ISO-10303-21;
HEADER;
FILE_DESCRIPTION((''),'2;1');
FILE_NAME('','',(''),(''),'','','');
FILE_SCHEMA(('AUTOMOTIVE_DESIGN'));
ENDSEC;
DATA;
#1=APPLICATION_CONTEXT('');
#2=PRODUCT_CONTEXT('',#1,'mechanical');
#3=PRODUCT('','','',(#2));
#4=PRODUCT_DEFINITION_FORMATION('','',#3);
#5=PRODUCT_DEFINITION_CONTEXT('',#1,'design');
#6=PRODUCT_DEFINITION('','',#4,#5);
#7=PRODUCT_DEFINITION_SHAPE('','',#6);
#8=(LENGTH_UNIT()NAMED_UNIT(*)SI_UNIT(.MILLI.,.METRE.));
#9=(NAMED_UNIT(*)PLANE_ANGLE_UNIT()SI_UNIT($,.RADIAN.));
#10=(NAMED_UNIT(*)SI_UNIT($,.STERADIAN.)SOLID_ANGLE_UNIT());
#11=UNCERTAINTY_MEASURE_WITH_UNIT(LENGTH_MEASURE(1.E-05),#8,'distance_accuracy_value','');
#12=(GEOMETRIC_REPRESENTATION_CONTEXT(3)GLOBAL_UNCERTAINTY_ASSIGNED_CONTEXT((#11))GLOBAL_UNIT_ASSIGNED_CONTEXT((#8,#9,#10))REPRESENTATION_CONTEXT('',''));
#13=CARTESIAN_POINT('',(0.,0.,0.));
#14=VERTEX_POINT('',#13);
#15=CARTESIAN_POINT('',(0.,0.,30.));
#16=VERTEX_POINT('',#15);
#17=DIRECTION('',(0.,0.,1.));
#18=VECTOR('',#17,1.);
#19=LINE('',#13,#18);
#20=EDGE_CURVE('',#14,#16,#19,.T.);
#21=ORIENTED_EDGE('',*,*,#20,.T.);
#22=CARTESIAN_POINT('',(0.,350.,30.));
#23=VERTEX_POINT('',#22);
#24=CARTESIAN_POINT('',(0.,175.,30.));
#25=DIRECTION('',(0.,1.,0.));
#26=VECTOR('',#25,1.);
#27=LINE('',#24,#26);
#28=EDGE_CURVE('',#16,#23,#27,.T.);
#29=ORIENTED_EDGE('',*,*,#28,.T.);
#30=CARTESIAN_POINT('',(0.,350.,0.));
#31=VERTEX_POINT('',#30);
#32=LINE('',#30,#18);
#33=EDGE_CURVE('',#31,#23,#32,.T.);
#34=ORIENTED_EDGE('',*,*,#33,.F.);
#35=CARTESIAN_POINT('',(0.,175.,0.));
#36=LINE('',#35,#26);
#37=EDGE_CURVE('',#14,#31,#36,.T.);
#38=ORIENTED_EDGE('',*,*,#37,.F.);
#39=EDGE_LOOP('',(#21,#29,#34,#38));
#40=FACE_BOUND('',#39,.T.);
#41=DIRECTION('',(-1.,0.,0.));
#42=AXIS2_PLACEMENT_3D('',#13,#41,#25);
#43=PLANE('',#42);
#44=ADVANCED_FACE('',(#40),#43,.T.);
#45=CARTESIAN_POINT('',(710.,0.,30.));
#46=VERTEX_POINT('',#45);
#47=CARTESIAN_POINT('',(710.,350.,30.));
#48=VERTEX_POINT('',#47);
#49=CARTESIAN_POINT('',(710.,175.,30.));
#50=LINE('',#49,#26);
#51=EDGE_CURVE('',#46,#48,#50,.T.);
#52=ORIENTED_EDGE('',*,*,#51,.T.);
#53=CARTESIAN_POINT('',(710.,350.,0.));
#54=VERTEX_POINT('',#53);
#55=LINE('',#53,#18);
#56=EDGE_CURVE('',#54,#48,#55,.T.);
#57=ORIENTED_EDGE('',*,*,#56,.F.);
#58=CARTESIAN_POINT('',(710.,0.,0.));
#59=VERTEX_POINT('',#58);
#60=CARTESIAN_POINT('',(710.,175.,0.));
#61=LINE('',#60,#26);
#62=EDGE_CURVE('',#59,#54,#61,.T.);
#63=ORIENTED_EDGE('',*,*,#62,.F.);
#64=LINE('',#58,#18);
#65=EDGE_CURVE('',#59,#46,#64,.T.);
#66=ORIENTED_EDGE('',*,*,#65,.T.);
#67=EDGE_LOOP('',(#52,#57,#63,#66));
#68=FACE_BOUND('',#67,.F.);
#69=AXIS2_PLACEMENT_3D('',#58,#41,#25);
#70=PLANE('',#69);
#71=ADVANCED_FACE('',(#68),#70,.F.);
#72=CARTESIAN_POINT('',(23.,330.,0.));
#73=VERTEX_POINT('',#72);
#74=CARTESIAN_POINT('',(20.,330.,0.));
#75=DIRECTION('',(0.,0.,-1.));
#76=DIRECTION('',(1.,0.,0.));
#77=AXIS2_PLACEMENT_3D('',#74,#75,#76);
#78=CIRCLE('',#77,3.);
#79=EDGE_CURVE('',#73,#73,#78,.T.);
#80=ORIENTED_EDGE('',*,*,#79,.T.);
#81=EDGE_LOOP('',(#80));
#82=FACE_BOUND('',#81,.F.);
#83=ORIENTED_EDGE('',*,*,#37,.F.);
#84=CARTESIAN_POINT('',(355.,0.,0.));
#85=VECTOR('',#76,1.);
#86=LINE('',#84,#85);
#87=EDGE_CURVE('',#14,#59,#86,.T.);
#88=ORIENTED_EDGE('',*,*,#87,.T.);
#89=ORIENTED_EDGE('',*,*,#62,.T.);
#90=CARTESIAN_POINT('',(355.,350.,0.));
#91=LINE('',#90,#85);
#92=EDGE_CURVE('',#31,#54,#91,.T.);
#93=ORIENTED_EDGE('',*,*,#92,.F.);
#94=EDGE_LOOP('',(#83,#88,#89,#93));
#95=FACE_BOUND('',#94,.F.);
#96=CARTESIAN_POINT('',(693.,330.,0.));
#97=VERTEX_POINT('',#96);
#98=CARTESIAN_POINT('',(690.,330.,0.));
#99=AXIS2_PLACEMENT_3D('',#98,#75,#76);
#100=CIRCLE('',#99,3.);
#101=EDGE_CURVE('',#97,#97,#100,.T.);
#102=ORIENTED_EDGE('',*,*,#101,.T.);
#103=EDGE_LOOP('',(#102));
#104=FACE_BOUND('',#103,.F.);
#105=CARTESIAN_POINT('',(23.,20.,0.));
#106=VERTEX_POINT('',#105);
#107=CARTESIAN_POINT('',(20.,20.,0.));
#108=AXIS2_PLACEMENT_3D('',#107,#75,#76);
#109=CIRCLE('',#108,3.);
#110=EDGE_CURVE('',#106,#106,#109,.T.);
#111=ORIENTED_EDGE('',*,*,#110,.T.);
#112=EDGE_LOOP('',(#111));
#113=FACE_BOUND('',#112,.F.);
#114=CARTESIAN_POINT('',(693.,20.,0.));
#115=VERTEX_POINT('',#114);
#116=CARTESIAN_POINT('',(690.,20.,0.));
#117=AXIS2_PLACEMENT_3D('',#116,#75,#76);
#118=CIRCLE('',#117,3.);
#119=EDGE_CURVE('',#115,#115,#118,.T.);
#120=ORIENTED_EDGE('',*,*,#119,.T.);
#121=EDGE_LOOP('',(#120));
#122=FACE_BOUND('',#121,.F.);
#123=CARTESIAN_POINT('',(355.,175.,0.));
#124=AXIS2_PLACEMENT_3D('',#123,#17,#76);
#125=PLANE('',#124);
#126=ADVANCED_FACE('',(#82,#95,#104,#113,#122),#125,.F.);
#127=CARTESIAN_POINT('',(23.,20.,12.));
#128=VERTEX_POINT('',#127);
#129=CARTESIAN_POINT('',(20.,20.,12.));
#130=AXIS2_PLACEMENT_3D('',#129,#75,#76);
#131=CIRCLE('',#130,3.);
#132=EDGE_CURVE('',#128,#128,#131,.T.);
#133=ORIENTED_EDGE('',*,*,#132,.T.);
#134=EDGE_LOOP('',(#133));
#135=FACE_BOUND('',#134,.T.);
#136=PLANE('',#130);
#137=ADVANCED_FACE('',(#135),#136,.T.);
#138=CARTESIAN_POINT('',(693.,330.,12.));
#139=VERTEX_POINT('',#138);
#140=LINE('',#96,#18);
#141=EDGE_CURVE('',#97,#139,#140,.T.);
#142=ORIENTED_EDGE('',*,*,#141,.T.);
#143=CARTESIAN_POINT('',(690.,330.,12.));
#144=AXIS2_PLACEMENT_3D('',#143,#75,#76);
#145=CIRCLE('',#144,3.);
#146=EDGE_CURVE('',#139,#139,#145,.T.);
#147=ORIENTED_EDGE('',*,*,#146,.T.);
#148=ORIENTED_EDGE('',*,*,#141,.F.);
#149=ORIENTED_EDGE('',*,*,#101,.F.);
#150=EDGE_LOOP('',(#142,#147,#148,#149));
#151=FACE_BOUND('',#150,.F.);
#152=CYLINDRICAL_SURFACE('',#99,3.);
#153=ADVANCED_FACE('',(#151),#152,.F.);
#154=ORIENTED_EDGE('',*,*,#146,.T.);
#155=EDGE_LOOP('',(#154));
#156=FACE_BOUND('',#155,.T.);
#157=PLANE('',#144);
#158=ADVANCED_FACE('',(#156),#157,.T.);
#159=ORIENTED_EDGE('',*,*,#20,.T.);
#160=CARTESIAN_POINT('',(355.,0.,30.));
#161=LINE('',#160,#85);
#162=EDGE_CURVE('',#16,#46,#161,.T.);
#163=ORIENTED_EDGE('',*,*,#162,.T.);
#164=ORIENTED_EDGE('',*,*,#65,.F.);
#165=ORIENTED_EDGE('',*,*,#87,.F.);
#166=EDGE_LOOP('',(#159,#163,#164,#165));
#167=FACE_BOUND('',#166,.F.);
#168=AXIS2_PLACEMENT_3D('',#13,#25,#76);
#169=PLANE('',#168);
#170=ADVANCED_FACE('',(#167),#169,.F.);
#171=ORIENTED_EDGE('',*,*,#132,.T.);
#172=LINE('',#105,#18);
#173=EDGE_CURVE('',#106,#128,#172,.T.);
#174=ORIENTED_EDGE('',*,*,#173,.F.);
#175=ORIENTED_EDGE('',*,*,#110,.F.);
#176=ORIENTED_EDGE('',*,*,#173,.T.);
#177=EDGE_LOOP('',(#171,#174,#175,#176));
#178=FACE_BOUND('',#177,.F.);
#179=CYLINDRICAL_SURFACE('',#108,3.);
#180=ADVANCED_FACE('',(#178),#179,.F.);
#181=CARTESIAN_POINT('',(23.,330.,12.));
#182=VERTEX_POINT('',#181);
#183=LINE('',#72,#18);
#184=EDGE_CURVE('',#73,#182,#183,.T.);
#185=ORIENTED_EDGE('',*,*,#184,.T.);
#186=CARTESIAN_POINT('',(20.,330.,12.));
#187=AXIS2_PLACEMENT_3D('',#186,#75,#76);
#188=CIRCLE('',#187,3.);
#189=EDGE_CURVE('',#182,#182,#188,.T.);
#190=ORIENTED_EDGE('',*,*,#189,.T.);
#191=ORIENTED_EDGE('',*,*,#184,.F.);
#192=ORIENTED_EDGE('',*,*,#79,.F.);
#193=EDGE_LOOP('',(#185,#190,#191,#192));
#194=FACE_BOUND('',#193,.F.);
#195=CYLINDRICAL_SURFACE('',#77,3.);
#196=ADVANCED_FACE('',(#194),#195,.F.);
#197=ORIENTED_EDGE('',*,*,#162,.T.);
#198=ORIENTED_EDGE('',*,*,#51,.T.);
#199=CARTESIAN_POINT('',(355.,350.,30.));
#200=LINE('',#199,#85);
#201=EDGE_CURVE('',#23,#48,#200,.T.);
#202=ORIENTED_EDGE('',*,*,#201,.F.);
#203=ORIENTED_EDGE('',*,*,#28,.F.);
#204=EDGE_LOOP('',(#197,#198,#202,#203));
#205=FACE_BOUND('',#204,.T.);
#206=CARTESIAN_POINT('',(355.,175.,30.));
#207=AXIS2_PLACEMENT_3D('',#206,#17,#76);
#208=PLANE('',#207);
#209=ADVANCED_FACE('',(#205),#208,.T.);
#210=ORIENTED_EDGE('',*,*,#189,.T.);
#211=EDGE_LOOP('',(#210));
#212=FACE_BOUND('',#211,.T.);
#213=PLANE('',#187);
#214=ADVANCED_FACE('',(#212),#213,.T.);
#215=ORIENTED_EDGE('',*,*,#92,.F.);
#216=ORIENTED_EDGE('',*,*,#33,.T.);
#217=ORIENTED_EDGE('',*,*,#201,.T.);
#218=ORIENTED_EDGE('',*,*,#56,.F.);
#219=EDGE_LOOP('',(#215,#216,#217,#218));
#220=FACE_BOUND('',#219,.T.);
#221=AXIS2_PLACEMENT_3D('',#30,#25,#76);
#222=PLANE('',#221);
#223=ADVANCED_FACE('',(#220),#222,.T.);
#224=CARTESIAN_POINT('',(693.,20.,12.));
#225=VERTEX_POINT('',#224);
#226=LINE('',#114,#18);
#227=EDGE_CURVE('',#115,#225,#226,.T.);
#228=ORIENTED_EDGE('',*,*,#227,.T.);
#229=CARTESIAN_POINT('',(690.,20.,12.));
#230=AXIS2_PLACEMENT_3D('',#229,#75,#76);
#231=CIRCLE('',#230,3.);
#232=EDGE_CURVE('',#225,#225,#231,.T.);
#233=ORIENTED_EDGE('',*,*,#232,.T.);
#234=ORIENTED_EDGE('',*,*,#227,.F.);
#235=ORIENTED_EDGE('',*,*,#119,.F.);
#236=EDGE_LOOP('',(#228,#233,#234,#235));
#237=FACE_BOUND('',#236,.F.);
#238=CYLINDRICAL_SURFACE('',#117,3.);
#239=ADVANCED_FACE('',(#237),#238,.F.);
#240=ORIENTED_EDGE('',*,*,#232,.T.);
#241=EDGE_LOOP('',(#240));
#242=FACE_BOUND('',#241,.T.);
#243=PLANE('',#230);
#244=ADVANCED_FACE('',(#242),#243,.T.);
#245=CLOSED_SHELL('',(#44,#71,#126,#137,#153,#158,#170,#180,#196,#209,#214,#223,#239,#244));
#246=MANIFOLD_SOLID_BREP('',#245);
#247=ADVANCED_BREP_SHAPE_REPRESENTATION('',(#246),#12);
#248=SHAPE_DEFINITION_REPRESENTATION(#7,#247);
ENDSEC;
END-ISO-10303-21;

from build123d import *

# Parameters (mm, degrees)
F0_W     = 710
F0_H     = 350
F1_DEPTH = 30
F2_R     = 3
F3_DEPTH = 12
F4_R     = 3
F5_DEPTH = 12


with BuildPart() as f1:
    # F0 (on Top) → F1 (new body)
    with BuildSketch(Plane.XY):
        with Locations((355, 175)):
            Rectangle(F0_W, F0_H)
    extrude(amount=F1_DEPTH)

    # F2 (on face) → F3 (cut)
    with BuildSketch(Plane(origin=(0, 0, 0), x_dir=(1, 0, 0), z_dir=(0, 0, -1))):
        with Locations((20, -20)):
            Circle(F2_R)
        with Locations((690, -20)):
            Circle(F2_R)
        with Locations((690, -330)):
            Circle(F2_R)
        with Locations((20, -330)):
            Circle(F2_R)
    extrude(amount=-F3_DEPTH, mode=Mode.SUBTRACT)

    # F4 (on face) → F5 (cut)
    with BuildSketch(Plane(origin=(0, 0, 0), x_dir=(1, 0, 0), z_dir=(0, 0, -1))):
        with Locations((20, -330)):
            Circle(F4_R)
    extrude(amount=-F5_DEPTH, mode=Mode.SUBTRACT)


solid = f1.part
